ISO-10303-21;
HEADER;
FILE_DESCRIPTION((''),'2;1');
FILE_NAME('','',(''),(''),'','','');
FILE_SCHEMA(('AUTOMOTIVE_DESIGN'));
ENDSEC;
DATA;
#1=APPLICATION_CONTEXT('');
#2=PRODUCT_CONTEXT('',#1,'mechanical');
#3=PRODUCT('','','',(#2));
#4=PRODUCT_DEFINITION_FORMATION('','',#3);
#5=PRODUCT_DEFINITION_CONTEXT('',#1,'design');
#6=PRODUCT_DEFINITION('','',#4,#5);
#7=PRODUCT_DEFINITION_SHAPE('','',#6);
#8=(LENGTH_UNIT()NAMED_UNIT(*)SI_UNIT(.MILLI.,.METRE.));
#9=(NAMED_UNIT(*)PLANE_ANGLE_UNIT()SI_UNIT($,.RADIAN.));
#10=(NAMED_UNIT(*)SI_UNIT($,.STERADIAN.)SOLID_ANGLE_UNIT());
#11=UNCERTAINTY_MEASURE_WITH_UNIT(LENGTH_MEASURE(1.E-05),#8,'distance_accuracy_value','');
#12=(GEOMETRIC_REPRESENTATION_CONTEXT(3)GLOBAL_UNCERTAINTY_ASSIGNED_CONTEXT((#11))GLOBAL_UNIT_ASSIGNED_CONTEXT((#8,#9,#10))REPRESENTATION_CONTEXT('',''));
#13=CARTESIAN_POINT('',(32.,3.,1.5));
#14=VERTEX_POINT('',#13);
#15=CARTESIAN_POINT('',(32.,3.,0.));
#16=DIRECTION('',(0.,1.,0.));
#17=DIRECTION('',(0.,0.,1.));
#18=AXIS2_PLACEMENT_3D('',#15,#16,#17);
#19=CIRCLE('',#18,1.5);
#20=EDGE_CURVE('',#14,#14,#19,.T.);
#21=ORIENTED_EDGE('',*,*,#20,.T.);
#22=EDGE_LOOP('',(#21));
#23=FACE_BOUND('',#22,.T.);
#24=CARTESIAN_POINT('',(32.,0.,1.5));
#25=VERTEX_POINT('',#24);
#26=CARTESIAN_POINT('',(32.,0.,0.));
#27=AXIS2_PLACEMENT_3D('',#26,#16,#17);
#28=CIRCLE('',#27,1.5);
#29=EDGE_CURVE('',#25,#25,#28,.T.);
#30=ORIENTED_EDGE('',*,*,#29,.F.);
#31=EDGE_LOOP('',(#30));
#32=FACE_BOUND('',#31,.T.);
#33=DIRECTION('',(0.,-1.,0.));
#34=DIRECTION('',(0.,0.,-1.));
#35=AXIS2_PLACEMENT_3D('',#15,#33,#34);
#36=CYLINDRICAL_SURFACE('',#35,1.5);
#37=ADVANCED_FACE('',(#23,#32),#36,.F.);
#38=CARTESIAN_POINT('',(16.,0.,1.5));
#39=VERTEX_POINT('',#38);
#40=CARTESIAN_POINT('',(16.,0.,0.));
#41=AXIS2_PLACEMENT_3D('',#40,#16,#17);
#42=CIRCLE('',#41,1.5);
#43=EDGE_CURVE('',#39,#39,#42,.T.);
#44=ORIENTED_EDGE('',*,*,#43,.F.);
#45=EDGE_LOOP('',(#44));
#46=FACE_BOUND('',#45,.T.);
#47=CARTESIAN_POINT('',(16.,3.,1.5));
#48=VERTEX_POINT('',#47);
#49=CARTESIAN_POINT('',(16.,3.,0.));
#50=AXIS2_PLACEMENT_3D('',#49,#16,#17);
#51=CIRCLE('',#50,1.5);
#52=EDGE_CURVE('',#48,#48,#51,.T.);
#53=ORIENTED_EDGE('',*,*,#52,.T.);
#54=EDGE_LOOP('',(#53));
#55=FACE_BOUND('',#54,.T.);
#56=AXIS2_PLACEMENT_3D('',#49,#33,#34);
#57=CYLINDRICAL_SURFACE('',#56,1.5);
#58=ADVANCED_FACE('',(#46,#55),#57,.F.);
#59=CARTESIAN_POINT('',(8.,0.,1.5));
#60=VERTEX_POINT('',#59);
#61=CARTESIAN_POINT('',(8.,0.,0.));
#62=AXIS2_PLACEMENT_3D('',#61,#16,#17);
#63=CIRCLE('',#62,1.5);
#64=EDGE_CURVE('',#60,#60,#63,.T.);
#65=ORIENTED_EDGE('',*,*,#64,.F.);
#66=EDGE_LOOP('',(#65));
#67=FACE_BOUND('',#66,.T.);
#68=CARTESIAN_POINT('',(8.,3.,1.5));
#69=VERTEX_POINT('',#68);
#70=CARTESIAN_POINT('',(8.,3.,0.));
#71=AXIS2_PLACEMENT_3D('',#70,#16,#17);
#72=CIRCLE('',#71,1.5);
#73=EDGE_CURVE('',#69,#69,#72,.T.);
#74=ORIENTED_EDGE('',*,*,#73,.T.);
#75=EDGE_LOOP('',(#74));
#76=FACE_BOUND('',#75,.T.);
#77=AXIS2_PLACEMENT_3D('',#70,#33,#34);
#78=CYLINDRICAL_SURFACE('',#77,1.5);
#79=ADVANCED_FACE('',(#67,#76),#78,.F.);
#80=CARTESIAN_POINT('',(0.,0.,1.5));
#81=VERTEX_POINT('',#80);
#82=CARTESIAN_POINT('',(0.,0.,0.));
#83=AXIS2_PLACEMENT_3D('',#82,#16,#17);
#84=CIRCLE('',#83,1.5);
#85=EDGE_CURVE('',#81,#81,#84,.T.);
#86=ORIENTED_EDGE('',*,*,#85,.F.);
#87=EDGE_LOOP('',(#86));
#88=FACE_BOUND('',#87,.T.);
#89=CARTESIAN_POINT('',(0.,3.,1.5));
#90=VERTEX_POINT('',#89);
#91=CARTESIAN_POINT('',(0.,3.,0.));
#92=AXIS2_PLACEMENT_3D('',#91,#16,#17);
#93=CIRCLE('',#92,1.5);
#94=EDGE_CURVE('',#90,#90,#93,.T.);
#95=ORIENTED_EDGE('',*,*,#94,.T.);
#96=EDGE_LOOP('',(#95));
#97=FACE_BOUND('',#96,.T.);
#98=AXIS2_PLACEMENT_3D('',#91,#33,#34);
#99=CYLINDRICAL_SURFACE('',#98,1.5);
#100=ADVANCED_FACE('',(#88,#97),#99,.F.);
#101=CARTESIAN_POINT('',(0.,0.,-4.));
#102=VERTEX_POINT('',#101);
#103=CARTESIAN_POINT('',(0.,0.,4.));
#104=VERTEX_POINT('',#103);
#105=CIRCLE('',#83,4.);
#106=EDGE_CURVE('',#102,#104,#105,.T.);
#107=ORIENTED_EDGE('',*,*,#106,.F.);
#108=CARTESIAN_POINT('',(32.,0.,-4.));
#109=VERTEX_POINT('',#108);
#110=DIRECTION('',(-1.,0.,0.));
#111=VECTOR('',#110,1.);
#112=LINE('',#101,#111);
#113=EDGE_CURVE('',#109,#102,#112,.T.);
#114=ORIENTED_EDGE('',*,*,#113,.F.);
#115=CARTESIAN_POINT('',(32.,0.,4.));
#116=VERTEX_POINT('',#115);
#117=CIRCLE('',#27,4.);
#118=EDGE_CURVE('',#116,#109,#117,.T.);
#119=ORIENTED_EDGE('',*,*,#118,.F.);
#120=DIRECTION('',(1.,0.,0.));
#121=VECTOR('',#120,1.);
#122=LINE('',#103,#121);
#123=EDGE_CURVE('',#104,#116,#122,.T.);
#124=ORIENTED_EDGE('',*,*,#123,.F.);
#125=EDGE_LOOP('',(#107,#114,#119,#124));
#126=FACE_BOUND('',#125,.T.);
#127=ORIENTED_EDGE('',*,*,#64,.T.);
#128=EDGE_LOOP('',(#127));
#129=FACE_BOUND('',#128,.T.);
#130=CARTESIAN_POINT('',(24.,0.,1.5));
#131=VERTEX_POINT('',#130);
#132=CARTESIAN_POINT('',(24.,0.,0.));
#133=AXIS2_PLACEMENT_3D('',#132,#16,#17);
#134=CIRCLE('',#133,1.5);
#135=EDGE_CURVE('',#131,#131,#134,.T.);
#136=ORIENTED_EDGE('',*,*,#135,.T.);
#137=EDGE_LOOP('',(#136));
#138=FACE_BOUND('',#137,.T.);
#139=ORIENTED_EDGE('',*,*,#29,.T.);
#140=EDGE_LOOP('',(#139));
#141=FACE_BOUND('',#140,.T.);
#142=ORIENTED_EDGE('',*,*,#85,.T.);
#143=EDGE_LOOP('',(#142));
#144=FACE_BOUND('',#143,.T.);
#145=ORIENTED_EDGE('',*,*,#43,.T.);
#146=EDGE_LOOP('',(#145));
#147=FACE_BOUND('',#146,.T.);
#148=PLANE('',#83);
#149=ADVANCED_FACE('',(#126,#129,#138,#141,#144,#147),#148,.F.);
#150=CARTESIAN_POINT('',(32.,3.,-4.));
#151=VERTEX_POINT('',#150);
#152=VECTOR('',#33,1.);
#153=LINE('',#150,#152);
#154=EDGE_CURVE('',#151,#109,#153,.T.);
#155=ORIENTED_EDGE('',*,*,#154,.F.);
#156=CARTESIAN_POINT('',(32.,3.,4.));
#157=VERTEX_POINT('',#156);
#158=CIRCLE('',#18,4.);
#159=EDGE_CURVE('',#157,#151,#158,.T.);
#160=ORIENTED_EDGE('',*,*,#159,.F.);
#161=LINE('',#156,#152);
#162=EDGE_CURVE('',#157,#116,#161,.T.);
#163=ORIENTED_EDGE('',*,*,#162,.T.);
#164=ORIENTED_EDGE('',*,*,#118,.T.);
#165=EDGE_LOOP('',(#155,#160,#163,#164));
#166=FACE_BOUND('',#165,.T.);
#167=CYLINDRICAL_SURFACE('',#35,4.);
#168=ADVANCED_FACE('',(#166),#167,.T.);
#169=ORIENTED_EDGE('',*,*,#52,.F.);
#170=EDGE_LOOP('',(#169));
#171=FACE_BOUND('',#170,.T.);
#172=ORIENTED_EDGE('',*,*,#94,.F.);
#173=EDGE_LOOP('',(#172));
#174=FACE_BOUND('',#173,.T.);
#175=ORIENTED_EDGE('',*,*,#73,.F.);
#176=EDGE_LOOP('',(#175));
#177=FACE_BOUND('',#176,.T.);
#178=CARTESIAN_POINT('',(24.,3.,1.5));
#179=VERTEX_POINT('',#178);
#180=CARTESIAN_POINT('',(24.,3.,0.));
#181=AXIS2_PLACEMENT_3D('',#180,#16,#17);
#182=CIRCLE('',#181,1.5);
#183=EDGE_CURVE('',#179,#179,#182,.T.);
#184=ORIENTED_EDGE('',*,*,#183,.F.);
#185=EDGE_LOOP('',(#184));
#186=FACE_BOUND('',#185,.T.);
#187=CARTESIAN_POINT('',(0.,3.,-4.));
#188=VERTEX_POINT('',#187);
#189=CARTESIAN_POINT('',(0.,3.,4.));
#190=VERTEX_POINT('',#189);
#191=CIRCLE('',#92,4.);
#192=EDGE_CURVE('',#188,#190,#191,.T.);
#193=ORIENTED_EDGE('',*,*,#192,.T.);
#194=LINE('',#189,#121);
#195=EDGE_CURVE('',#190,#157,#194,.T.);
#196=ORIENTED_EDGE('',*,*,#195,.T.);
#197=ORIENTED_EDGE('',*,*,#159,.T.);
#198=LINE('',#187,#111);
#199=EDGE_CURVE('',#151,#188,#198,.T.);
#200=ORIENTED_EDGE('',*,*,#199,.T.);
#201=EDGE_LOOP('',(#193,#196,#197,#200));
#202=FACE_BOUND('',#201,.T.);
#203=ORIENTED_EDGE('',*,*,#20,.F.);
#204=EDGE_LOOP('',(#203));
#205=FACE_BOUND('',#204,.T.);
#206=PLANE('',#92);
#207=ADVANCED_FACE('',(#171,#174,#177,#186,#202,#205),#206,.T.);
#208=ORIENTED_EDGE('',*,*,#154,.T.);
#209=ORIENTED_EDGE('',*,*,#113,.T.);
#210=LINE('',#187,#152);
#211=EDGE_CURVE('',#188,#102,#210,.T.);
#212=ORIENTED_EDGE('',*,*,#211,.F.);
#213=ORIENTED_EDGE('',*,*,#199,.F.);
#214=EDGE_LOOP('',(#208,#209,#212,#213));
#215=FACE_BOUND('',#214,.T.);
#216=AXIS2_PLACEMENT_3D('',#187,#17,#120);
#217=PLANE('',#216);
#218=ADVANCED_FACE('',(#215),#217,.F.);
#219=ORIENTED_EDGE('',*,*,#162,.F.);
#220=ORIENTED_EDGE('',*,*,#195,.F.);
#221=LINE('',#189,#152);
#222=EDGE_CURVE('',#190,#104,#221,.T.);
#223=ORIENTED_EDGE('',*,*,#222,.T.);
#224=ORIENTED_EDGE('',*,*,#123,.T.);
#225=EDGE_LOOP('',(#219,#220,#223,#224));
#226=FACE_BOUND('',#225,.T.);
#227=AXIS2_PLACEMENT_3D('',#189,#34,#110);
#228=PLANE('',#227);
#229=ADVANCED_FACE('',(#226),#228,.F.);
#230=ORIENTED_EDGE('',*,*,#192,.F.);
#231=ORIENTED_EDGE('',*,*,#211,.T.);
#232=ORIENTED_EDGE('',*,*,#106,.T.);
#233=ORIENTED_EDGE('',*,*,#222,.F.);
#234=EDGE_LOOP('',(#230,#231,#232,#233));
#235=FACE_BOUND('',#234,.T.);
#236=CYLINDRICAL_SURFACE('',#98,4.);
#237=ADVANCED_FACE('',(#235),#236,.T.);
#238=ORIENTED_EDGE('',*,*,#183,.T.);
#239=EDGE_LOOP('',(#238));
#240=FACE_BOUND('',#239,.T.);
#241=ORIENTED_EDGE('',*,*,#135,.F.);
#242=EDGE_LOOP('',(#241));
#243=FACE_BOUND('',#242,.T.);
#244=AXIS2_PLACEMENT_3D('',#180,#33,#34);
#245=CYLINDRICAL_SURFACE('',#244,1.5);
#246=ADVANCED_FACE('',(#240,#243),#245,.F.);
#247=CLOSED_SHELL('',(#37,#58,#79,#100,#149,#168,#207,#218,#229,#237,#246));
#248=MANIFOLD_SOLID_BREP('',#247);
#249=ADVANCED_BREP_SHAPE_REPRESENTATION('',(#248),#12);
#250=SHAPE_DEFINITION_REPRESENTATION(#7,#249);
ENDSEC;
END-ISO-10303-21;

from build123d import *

# Parameters (mm, degrees)
SKETCH2_R             = 1.5
BOSS_EXTRUDE2_DEPTH   = 3
BOSS_EXTRUDE2_2_DEPTH = 3
BOSS_EXTRUDE2_3_DEPTH = 3
BOSS_EXTRUDE2_4_DEPTH = 3
BOSS_EXTRUDE2_5_DEPTH = 3
BOSS_EXTRUDE2_6_DEPTH = 3
BOSS_EXTRUDE2_7_DEPTH = 3
SKETCH3_W             = 48.454319831
SKETCH3_H             = 7.747522056
CUT_EXTRUDE1_DEPTH    = 10


with BuildPart() as part:
    # Sketch2 → Boss-Extrude2 (new body)
    with BuildSketch(Plane(origin=(0, 0, 0), x_dir=(1, 0, 0), z_dir=(0, 1, 0))):
        with Locations(Location((40, 0, 0), (0, 0, 270))):
            Circle(SKETCH2_R)
    extrude(amount=BOSS_EXTRUDE2_DEPTH)


with BuildPart() as body_2:
    # Sketch2 → Boss-Extrude2 2 (new body)
    with BuildSketch(Plane(origin=(0, 0, 0), x_dir=(1, 0, 0), z_dir=(0, 1, 0))):
        with Locations(Location((48, 0, 0), (0, 0, 270))):
            Circle(SKETCH2_R)
    extrude(amount=BOSS_EXTRUDE2_2_DEPTH)


with BuildPart() as body_3:
    # Sketch2 → Boss-Extrude2 3 (new body)
    with BuildSketch(Plane(origin=(0, 0, 0), x_dir=(1, 0, 0), z_dir=(0, 1, 0))):
        with Locations(Location((56, 0, 0), (0, 0, 270))):
            Circle(SKETCH2_R)
    extrude(amount=BOSS_EXTRUDE2_3_DEPTH)


with BuildPart() as body_4:
    # Sketch2 → Boss-Extrude2 4 (new body)
    with BuildSketch(Plane(origin=(0, 0, 0), x_dir=(1, 0, 0), z_dir=(0, 1, 0))):
        with Locations(Location((64, 0, 0), (0, 0, 270))):
            Circle(SKETCH2_R)
    extrude(amount=BOSS_EXTRUDE2_4_DEPTH)


with BuildPart() as body_5:
    # Sketch2 → Boss-Extrude2 5 (new body)
    with BuildSketch(Plane(origin=(0, 0, 0), x_dir=(1, 0, 0), z_dir=(0, 1, 0))):
        with Locations(Location((72, 0, 0), (0, 0, 270))):
            Circle(SKETCH2_R)
    extrude(amount=BOSS_EXTRUDE2_5_DEPTH)


with BuildPart() as body_6:
    # Sketch2 → Boss-Extrude2 6 (new body)
    with BuildSketch(Plane(origin=(0, 0, 0), x_dir=(1, 0, 0), z_dir=(0, 1, 0))):
        with Locations(Location((80, 0, 0), (0, 0, 270))):
            Circle(SKETCH2_R)
    extrude(amount=BOSS_EXTRUDE2_6_DEPTH)


with BuildPart() as body_7:
    # Sketch2 → Boss-Extrude2 7 (new body)
    with BuildSketch(Plane(origin=(0, 0, 0), x_dir=(1, 0, 0), z_dir=(0, 1, 0))):
        with BuildLine():
            Line((0, 4), (32, 4))
            ThreePointArc((32, 4), (36, 0), (32, -4))
            Line((32, -4), (0, -4))
            ThreePointArc((0, -4), (-4, 0), (0, 4))
        make_face()
        with Locations(Location((0, 0, 0), (0, 0, 270))):
            Circle(SKETCH2_R, mode=Mode.SUBTRACT)
        with Locations(Location((8, 0, 0), (0, 0, 270))):
            Circle(SKETCH2_R, mode=Mode.SUBTRACT)
        with Locations(Location((16, 0, 0), (0, 0, 270))):
            Circle(SKETCH2_R, mode=Mode.SUBTRACT)
        with Locations(Location((24, 0, 0), (0, 0, 270))):
            Circle(SKETCH2_R, mode=Mode.SUBTRACT)
        with Locations(Location((32, 0, 0), (0, 0, 270))):
            Circle(SKETCH2_R, mode=Mode.SUBTRACT)
    extrude(amount=BOSS_EXTRUDE2_7_DEPTH)


with BuildPart() as cut_extrude1_tool:
    # Sketch3 → Cut-Extrude1 (new body)
    with BuildSketch(Plane(origin=(0, 0, 0), x_dir=(-1, 0, 0), z_dir=(0, -1, 0))):
        with Locations((-61.501049379, -0.745868802)):
            Rectangle(SKETCH3_W, SKETCH3_H)
    extrude(amount=-CUT_EXTRUDE1_DEPTH)


with BuildPart() as part_1:
    add(part.part)

    # Cut-Extrude1: cut by cut_extrude1_tool
    add(cut_extrude1_tool.part, mode=Mode.SUBTRACT)


with BuildPart() as body_2_1:
    add(body_2.part)

    # Cut-Extrude1: cut by cut_extrude1_tool
    add(cut_extrude1_tool.part, mode=Mode.SUBTRACT)


with BuildPart() as body_3_1:
    add(body_3.part)

    # Cut-Extrude1: cut by cut_extrude1_tool
    add(cut_extrude1_tool.part, mode=Mode.SUBTRACT)


with BuildPart() as body_4_1:
    add(body_4.part)

    # Cut-Extrude1: cut by cut_extrude1_tool
    add(cut_extrude1_tool.part, mode=Mode.SUBTRACT)


with BuildPart() as body_5_1:
    add(body_5.part)

    # Cut-Extrude1: cut by cut_extrude1_tool
    add(cut_extrude1_tool.part, mode=Mode.SUBTRACT)


with BuildPart() as body_6_1:
    add(body_6.part)

    # Cut-Extrude1: cut by cut_extrude1_tool
    add(cut_extrude1_tool.part, mode=Mode.SUBTRACT)


solid = body_7.part
